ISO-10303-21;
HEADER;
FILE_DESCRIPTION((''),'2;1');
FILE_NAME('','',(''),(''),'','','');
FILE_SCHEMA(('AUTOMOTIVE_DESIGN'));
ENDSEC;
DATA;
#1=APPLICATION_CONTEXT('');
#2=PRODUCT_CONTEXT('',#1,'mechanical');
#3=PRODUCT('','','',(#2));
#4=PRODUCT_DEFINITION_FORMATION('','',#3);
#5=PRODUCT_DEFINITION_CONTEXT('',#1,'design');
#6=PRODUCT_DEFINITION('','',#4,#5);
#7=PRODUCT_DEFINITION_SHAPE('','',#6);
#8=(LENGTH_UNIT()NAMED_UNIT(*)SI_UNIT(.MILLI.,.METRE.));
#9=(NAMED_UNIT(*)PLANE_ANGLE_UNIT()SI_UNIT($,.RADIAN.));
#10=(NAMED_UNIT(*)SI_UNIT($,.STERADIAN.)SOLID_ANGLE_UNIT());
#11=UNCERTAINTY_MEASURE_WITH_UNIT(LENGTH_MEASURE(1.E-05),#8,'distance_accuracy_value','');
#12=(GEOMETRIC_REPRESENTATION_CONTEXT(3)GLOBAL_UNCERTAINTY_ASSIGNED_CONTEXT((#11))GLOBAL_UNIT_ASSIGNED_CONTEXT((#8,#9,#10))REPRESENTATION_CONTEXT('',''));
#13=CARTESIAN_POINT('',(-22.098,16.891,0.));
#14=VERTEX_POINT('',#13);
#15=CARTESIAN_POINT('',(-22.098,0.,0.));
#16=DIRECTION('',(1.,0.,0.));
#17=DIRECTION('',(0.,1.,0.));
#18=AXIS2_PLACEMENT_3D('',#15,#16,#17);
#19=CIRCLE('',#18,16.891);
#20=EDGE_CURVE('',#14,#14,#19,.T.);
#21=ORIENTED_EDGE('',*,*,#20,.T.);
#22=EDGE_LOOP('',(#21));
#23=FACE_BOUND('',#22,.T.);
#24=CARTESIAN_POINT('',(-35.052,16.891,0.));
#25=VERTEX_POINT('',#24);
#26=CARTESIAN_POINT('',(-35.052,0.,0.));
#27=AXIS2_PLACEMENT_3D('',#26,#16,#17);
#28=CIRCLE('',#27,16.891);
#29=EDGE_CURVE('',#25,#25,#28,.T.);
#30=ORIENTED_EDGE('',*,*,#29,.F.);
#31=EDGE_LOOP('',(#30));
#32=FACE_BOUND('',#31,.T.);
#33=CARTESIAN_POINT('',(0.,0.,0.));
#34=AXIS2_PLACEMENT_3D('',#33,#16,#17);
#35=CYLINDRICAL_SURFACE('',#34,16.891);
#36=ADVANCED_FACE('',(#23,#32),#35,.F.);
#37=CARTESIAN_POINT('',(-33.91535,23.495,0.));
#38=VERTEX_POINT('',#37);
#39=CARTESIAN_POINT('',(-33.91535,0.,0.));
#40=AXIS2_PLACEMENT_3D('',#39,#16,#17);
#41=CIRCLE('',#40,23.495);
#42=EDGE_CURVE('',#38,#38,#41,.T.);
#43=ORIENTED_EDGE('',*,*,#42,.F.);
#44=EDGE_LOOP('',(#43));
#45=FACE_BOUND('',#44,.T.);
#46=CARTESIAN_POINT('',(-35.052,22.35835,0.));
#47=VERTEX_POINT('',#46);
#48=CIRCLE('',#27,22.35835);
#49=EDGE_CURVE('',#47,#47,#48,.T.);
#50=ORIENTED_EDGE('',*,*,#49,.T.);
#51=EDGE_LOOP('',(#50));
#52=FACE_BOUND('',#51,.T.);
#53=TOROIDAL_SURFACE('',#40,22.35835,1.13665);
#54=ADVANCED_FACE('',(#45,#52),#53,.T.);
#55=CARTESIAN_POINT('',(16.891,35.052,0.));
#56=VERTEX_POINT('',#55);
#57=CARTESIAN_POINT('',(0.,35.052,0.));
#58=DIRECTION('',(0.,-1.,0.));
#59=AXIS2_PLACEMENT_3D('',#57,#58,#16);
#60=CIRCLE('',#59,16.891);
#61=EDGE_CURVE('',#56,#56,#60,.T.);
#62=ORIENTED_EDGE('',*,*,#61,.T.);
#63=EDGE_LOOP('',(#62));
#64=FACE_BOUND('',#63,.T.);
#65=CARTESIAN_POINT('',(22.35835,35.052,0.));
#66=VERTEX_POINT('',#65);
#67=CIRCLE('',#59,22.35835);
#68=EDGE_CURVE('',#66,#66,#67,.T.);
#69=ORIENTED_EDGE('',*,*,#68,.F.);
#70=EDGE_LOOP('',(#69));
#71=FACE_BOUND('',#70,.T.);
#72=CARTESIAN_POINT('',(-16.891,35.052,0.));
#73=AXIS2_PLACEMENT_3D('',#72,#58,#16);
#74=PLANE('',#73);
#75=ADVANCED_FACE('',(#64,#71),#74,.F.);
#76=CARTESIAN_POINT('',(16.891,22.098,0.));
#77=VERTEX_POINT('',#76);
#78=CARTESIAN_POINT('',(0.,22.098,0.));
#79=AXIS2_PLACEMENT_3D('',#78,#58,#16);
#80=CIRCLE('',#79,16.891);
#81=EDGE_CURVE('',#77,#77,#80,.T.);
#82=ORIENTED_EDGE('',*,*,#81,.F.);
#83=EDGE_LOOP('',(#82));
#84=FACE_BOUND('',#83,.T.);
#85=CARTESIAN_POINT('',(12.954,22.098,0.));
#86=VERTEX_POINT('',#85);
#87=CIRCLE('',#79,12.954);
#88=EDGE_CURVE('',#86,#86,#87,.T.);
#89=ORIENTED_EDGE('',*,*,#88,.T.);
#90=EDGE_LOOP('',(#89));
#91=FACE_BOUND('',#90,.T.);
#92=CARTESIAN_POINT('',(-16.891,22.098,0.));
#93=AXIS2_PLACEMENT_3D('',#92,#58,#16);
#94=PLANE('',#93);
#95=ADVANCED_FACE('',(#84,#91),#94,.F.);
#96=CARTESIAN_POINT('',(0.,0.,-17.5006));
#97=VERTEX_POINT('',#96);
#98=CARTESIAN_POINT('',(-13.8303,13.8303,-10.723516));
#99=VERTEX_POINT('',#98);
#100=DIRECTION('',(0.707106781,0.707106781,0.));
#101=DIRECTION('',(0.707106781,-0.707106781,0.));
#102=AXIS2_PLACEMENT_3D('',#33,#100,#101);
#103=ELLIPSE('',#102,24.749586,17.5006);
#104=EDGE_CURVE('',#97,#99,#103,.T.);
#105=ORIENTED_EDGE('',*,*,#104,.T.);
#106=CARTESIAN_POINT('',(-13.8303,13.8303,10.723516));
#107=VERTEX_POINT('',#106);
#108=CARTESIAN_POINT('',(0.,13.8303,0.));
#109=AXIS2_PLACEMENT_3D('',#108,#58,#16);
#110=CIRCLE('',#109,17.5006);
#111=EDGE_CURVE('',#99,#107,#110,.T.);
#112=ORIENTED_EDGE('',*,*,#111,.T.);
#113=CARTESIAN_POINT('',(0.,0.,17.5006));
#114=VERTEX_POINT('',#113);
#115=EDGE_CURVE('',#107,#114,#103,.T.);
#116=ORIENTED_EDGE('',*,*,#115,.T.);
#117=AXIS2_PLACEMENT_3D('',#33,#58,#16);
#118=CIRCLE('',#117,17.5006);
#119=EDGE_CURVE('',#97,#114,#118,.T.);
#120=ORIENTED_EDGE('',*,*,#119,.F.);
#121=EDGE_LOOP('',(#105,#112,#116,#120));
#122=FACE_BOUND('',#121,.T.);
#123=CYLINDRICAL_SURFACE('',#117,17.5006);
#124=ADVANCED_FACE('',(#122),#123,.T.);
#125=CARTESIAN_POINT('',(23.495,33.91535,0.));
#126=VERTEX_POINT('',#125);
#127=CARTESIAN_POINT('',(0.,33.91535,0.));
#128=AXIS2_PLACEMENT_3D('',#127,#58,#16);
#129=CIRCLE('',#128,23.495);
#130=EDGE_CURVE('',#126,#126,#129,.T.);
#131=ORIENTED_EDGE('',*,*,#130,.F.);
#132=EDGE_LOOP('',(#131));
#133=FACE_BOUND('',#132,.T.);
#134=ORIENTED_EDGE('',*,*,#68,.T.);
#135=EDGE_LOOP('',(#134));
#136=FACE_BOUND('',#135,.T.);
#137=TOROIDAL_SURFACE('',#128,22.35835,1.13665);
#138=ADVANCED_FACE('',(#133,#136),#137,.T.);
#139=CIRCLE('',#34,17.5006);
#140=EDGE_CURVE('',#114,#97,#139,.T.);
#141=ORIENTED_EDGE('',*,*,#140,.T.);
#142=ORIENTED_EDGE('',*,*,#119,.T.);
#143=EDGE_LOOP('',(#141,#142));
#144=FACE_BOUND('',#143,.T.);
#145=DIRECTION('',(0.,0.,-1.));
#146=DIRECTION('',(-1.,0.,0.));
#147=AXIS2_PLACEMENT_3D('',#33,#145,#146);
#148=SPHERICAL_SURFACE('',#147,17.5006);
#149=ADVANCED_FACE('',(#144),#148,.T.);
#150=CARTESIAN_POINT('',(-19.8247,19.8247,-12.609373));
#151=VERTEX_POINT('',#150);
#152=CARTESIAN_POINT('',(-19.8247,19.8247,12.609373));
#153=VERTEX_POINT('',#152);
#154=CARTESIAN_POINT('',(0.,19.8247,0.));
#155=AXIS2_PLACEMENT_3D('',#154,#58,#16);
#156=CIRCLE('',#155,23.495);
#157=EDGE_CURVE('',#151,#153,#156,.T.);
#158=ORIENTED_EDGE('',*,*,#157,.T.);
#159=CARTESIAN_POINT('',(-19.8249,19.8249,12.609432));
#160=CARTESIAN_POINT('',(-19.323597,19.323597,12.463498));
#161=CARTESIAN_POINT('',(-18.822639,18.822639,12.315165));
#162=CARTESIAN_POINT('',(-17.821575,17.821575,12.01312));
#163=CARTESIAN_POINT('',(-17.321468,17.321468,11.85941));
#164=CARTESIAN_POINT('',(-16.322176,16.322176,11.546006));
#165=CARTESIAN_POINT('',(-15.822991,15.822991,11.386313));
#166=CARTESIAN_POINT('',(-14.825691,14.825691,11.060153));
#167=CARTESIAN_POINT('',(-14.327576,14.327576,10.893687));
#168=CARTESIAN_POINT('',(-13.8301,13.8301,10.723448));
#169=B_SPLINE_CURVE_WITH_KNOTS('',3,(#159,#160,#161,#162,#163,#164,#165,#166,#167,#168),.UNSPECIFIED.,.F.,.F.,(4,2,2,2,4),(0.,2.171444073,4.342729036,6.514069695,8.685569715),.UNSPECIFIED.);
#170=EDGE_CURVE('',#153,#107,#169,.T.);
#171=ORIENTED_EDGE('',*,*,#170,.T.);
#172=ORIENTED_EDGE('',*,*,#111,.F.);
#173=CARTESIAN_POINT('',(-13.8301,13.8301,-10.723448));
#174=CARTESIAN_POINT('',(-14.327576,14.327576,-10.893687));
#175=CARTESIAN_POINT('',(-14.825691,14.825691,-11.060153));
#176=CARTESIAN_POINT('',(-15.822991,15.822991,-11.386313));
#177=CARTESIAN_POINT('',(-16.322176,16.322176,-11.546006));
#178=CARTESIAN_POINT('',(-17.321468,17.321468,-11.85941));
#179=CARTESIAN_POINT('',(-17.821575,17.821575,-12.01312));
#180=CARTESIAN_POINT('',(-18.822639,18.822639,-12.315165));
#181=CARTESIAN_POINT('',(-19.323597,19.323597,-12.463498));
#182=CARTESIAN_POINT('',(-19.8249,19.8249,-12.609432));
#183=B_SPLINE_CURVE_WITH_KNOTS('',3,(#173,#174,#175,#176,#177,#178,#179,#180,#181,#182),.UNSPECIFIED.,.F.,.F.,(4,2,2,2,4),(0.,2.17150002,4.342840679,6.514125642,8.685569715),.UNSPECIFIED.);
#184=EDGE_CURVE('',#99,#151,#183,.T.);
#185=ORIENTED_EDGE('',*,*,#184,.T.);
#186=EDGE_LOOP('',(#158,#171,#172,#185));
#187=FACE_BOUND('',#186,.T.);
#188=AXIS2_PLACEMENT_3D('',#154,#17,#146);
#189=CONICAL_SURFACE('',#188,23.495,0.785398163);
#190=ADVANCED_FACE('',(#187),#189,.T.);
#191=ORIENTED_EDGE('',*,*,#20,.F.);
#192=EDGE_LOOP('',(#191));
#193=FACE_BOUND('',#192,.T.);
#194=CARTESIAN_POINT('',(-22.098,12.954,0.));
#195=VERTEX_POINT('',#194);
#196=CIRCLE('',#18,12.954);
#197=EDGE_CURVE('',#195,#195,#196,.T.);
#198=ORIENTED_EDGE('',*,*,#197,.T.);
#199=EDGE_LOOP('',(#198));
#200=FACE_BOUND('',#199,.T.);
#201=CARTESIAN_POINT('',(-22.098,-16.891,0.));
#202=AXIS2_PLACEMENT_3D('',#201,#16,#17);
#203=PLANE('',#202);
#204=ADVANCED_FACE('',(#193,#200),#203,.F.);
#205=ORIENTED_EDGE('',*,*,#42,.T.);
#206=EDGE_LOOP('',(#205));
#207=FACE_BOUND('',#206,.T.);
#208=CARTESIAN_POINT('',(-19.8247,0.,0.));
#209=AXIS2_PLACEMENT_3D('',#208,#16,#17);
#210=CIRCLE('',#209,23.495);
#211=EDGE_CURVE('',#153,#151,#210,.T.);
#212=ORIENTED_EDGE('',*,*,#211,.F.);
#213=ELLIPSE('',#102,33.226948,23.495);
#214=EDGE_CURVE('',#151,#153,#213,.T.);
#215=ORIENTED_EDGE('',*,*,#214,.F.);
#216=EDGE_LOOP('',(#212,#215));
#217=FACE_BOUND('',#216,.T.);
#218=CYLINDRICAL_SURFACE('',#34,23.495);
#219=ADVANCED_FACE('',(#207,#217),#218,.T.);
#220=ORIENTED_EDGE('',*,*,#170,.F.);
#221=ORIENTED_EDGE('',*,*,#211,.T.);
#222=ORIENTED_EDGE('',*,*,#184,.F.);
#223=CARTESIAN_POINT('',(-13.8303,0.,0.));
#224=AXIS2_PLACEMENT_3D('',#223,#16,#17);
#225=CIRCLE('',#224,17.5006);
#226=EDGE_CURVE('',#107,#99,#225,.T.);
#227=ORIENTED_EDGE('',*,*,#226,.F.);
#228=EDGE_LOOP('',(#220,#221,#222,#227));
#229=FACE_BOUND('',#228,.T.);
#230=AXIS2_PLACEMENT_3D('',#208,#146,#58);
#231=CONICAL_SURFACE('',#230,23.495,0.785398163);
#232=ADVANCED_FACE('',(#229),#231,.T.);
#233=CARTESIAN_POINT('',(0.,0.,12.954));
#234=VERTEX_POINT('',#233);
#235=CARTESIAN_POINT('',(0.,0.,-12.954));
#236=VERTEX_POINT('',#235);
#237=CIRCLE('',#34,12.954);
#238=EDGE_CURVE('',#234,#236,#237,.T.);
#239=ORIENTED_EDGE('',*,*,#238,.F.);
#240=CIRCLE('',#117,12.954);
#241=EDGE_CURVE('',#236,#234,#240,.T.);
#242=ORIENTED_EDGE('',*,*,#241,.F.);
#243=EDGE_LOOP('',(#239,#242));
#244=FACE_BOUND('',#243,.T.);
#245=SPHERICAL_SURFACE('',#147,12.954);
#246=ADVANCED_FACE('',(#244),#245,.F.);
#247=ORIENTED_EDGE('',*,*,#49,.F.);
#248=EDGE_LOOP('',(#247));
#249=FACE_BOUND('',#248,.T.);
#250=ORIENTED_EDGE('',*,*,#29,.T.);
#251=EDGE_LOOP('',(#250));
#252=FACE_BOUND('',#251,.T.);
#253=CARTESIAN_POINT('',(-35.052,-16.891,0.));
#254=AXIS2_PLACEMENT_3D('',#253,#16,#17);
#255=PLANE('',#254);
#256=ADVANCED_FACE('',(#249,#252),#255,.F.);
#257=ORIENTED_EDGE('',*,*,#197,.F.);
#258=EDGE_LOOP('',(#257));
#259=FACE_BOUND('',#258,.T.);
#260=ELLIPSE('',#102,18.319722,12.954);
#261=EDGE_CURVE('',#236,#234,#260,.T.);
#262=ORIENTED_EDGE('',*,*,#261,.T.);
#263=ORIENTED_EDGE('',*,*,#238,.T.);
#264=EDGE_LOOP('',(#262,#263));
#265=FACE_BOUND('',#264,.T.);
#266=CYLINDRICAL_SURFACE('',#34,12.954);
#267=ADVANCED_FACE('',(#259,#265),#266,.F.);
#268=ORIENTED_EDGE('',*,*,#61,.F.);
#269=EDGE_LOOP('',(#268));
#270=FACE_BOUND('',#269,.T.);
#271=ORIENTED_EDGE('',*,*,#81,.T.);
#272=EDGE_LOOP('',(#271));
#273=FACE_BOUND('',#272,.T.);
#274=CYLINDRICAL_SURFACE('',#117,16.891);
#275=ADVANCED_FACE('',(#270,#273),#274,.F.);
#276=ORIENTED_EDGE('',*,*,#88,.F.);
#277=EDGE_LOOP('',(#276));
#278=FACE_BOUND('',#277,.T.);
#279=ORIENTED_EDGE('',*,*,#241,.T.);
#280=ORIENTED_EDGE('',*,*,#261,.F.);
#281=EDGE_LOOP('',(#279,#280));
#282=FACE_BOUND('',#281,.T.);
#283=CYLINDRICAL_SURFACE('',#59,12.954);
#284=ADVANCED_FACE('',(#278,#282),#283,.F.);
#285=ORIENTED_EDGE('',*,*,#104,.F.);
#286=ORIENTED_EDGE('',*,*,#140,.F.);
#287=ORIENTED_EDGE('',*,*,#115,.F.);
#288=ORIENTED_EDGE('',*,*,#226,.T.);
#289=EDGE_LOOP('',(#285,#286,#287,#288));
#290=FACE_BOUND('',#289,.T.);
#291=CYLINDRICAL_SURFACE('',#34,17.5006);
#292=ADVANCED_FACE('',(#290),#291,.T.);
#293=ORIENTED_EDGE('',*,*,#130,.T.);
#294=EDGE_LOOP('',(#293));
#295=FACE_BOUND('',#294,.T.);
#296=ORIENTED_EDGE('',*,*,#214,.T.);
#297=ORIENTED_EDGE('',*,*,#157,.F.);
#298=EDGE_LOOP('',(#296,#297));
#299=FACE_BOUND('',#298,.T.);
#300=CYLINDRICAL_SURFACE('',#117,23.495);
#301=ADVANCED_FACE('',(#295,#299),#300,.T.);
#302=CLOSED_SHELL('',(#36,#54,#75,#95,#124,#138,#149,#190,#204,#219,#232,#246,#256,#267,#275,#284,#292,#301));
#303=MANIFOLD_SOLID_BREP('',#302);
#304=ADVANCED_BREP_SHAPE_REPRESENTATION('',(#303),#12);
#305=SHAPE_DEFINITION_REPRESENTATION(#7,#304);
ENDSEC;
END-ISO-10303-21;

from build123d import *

# Parameters (mm, degrees)
CIRPATTERN2_COUNT  = 2
CIRPATTERN2_ANGLE  = 90
SKETCH4_R          = 12.954
CUT_EXTRUDE1_DEPTH = 55.857091
SKETCH5_R          = 12.954
CUT_EXTRUDE2_DEPTH = 55.857091
REVOLVE2_ANGLE     = 90


with BuildPart() as part:
    # Sketch2 → Revolve1 (revolve)
    with BuildSketch(Plane.XY, mode=Mode.PRIVATE) as revolve1_sk:
        with BuildLine():
            Line((-35.052, -16.891), (-22.098, -16.891))
            Line((-22.098, -16.891), (-22.098, -12.954))
            Line((-22.098, -12.954), (0, -12.954))
            Line((0, -12.954), (0, -17.5006))
            Line((0, -17.5006), (-13.8303, -17.5006))
            Line((-13.8303, -17.5006), (-19.8247, -23.495))
            Line((-19.8247, -23.495), (-33.91535, -23.495))
            ThreePointArc((-33.91535, -23.495), (-34.719082923, -23.162082923), (-35.052, -22.35835))
            Line((-35.052, -22.35835), (-35.052, -16.891))
        make_face()
    revolve(revolve1_sk.sketch.rotate(Axis((0, 0, 0), (-1, 0, 0)), 180), axis=Axis((0, 0, 0), (-1, 0, 0)))


with BuildPart() as cirpattern2_1:
    # CirPattern2: pattern copy
    add(part.part.rotate(Axis((0, 0, -23.495), (0, 0, -1)), 1 * CIRPATTERN2_ANGLE / (CIRPATTERN2_COUNT - 1)))

    # Sketch4 → Cut-Extrude1 (cut, through all)
    with BuildSketch(Plane(origin=(0, 0, 0), x_dir=(0, 0, -1), z_dir=(1, 0, 0))):
        with Locations(Location((0, 0, 0), (0, 0, 90))):
            Circle(SKETCH4_R)
    extrude(amount=-CUT_EXTRUDE1_DEPTH, mode=Mode.SUBTRACT)


with BuildPart() as part_1:
    add(part.part)

    # Sketch5 → Cut-Extrude2 (cut, through all)
    with BuildSketch(Plane.XZ):
        Circle(SKETCH5_R)
    extrude(amount=-CUT_EXTRUDE2_DEPTH, mode=Mode.SUBTRACT)

    # Combine1: union CirPattern2_1
    add(cirpattern2_1.part)

    # Sketch6 → Revolve2 (revolve)
    with BuildSketch(Plane(origin=(0, 0, 0), x_dir=(0, 0, -1), z_dir=(1, 0, 0))):
        with BuildLine():
            Line((-17.5006, 0), (-12.954, 0))
            ThreePointArc((-12.954, 0), (0, -12.954), (12.954, 0))
            Line((12.954, 0), (17.5006, 0))
            ThreePointArc((17.5006, 0), (0, -17.5006), (-17.5006, 0))
        make_face()
    revolve(axis=Axis((0, 0, 12.954), (0, 0, 1)), revolution_arc=REVOLVE2_ANGLE)


solid = part_1.part
